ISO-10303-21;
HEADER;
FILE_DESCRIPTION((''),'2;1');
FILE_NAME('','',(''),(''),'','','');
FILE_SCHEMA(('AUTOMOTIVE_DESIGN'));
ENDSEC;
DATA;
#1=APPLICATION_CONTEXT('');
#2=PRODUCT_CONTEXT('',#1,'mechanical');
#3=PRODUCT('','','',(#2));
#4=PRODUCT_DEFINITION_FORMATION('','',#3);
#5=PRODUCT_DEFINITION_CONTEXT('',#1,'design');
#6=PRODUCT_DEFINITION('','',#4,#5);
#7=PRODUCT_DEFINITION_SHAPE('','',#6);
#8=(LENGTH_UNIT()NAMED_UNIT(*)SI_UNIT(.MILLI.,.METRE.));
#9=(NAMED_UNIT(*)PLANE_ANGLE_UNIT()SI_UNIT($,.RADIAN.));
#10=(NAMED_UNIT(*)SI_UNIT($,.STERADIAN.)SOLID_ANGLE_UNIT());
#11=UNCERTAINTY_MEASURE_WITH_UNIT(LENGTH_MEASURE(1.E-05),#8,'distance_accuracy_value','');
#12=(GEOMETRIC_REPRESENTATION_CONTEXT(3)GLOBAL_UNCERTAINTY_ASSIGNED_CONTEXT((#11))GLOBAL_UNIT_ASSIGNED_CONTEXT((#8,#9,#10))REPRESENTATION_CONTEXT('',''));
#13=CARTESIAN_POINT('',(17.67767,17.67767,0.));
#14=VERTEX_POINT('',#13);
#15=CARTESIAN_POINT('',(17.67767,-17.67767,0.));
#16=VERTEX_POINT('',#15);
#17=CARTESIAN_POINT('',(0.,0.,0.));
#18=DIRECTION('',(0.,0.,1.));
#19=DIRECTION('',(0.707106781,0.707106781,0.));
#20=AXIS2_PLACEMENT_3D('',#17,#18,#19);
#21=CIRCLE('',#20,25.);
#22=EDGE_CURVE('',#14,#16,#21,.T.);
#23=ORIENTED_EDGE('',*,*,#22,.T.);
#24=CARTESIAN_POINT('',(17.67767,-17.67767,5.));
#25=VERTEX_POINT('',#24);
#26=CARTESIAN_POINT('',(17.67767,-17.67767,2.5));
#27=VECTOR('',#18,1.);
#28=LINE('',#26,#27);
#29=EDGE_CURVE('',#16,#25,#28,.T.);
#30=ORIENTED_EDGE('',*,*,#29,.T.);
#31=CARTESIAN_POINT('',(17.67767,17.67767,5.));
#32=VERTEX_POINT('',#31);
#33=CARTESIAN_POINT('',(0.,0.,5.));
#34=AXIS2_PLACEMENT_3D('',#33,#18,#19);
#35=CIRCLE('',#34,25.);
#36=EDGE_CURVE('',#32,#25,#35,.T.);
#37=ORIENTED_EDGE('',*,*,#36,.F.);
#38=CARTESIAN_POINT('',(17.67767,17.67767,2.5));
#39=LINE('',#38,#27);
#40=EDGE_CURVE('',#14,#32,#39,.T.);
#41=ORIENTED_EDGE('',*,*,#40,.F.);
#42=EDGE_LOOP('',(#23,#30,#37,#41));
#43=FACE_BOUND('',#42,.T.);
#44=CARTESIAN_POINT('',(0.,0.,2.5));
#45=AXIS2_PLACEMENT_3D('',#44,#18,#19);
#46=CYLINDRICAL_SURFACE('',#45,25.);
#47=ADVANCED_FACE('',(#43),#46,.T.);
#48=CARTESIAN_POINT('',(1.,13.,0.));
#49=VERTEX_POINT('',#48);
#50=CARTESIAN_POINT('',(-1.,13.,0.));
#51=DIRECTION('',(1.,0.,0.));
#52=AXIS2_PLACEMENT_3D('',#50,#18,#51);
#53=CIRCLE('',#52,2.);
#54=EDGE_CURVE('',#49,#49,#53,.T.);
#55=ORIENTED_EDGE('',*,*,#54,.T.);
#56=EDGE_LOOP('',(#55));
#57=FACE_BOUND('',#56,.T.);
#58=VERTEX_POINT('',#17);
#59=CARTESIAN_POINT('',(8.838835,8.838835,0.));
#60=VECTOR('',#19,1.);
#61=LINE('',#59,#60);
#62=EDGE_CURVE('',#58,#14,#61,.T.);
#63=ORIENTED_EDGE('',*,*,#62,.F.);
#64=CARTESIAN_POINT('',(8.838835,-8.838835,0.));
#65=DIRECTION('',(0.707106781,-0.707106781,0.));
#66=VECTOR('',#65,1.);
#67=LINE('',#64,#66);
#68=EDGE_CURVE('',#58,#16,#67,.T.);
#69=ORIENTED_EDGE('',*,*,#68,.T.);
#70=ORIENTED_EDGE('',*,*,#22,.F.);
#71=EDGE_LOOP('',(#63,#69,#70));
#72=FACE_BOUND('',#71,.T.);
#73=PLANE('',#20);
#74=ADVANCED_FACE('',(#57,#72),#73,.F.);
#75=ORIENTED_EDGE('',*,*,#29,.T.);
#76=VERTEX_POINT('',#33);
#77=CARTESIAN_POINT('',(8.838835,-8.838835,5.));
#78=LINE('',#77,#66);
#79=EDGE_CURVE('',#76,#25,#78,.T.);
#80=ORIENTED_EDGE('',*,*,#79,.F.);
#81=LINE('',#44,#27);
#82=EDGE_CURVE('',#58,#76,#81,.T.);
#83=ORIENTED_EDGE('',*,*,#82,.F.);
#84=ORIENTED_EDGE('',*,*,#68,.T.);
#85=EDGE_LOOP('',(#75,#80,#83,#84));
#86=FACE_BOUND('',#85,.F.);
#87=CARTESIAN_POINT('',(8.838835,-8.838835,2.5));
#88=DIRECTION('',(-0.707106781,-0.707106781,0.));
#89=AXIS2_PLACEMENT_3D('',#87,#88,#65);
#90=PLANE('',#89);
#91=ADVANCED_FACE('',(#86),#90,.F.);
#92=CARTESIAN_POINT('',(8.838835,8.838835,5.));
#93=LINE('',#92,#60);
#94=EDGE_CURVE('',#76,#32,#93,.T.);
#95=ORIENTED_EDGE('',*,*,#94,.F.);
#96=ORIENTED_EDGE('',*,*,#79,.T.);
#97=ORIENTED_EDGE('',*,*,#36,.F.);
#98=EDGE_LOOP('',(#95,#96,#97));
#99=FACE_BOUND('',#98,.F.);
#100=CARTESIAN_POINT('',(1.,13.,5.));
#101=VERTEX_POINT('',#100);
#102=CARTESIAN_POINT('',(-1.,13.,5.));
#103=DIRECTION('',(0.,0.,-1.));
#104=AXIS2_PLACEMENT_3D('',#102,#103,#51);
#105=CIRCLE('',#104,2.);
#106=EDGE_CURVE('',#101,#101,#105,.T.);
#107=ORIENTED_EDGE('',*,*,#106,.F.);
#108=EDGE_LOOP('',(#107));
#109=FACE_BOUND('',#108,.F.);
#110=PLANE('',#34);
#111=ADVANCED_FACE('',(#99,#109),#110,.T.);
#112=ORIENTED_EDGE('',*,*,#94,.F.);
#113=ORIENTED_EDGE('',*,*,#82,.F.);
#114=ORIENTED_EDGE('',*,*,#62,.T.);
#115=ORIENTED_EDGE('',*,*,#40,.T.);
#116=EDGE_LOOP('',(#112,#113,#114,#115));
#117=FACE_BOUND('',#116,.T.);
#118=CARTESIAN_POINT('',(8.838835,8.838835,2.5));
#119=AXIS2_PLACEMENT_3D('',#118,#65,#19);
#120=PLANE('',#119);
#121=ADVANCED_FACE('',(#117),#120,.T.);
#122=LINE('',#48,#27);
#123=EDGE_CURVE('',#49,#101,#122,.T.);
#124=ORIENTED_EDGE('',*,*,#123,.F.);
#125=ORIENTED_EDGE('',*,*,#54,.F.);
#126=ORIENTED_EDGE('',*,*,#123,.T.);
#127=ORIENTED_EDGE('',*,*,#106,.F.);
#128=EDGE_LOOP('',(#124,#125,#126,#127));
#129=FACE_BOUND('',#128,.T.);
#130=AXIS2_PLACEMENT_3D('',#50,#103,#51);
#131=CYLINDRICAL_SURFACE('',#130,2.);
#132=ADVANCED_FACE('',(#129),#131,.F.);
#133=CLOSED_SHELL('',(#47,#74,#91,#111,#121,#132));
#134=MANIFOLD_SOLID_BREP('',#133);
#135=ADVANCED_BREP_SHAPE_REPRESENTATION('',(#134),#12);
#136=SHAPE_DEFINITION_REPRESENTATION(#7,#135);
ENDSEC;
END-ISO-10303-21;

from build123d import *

# Parameters (mm, degrees)
CYLINDER001_R            = 2
CYLINDER001_DEPTH        = 10
CYLINDER_W               = 25
CYLINDER_H               = 5
CYLINDER_ANGLE           = 270
CYLINDER_PLACEMENT_ANGLE = 45


with BuildPart() as cylinder:
    # Cylinder001 → Cylinder001 (new body)
    with BuildSketch(Plane(origin=(-1, 13, 0), x_dir=(1, 0, 0), z_dir=(0, 0, 1))):
        Circle(CYLINDER001_R)
    extrude(amount=CYLINDER001_DEPTH)


with BuildPart() as pac_man:
    # Cylinder → Cylinder (revolve)
    with BuildSketch(Plane.XZ):
        with Locations((12.5, 2.5)):
            Rectangle(CYLINDER_W, CYLINDER_H)
    revolve(axis=Axis((0, 0, 0), (0, 0, 1)), revolution_arc=CYLINDER_ANGLE)


with BuildPart() as pac_man_1:
    # Cylinder placement: moved
    add(pac_man.part.rotate(Axis((0, 0, 0), (0, 0, 1)), CYLINDER_PLACEMENT_ANGLE))

    # Cut: cut Cylinder
    add(cylinder.part, mode=Mode.SUBTRACT)


solid = pac_man_1.part
